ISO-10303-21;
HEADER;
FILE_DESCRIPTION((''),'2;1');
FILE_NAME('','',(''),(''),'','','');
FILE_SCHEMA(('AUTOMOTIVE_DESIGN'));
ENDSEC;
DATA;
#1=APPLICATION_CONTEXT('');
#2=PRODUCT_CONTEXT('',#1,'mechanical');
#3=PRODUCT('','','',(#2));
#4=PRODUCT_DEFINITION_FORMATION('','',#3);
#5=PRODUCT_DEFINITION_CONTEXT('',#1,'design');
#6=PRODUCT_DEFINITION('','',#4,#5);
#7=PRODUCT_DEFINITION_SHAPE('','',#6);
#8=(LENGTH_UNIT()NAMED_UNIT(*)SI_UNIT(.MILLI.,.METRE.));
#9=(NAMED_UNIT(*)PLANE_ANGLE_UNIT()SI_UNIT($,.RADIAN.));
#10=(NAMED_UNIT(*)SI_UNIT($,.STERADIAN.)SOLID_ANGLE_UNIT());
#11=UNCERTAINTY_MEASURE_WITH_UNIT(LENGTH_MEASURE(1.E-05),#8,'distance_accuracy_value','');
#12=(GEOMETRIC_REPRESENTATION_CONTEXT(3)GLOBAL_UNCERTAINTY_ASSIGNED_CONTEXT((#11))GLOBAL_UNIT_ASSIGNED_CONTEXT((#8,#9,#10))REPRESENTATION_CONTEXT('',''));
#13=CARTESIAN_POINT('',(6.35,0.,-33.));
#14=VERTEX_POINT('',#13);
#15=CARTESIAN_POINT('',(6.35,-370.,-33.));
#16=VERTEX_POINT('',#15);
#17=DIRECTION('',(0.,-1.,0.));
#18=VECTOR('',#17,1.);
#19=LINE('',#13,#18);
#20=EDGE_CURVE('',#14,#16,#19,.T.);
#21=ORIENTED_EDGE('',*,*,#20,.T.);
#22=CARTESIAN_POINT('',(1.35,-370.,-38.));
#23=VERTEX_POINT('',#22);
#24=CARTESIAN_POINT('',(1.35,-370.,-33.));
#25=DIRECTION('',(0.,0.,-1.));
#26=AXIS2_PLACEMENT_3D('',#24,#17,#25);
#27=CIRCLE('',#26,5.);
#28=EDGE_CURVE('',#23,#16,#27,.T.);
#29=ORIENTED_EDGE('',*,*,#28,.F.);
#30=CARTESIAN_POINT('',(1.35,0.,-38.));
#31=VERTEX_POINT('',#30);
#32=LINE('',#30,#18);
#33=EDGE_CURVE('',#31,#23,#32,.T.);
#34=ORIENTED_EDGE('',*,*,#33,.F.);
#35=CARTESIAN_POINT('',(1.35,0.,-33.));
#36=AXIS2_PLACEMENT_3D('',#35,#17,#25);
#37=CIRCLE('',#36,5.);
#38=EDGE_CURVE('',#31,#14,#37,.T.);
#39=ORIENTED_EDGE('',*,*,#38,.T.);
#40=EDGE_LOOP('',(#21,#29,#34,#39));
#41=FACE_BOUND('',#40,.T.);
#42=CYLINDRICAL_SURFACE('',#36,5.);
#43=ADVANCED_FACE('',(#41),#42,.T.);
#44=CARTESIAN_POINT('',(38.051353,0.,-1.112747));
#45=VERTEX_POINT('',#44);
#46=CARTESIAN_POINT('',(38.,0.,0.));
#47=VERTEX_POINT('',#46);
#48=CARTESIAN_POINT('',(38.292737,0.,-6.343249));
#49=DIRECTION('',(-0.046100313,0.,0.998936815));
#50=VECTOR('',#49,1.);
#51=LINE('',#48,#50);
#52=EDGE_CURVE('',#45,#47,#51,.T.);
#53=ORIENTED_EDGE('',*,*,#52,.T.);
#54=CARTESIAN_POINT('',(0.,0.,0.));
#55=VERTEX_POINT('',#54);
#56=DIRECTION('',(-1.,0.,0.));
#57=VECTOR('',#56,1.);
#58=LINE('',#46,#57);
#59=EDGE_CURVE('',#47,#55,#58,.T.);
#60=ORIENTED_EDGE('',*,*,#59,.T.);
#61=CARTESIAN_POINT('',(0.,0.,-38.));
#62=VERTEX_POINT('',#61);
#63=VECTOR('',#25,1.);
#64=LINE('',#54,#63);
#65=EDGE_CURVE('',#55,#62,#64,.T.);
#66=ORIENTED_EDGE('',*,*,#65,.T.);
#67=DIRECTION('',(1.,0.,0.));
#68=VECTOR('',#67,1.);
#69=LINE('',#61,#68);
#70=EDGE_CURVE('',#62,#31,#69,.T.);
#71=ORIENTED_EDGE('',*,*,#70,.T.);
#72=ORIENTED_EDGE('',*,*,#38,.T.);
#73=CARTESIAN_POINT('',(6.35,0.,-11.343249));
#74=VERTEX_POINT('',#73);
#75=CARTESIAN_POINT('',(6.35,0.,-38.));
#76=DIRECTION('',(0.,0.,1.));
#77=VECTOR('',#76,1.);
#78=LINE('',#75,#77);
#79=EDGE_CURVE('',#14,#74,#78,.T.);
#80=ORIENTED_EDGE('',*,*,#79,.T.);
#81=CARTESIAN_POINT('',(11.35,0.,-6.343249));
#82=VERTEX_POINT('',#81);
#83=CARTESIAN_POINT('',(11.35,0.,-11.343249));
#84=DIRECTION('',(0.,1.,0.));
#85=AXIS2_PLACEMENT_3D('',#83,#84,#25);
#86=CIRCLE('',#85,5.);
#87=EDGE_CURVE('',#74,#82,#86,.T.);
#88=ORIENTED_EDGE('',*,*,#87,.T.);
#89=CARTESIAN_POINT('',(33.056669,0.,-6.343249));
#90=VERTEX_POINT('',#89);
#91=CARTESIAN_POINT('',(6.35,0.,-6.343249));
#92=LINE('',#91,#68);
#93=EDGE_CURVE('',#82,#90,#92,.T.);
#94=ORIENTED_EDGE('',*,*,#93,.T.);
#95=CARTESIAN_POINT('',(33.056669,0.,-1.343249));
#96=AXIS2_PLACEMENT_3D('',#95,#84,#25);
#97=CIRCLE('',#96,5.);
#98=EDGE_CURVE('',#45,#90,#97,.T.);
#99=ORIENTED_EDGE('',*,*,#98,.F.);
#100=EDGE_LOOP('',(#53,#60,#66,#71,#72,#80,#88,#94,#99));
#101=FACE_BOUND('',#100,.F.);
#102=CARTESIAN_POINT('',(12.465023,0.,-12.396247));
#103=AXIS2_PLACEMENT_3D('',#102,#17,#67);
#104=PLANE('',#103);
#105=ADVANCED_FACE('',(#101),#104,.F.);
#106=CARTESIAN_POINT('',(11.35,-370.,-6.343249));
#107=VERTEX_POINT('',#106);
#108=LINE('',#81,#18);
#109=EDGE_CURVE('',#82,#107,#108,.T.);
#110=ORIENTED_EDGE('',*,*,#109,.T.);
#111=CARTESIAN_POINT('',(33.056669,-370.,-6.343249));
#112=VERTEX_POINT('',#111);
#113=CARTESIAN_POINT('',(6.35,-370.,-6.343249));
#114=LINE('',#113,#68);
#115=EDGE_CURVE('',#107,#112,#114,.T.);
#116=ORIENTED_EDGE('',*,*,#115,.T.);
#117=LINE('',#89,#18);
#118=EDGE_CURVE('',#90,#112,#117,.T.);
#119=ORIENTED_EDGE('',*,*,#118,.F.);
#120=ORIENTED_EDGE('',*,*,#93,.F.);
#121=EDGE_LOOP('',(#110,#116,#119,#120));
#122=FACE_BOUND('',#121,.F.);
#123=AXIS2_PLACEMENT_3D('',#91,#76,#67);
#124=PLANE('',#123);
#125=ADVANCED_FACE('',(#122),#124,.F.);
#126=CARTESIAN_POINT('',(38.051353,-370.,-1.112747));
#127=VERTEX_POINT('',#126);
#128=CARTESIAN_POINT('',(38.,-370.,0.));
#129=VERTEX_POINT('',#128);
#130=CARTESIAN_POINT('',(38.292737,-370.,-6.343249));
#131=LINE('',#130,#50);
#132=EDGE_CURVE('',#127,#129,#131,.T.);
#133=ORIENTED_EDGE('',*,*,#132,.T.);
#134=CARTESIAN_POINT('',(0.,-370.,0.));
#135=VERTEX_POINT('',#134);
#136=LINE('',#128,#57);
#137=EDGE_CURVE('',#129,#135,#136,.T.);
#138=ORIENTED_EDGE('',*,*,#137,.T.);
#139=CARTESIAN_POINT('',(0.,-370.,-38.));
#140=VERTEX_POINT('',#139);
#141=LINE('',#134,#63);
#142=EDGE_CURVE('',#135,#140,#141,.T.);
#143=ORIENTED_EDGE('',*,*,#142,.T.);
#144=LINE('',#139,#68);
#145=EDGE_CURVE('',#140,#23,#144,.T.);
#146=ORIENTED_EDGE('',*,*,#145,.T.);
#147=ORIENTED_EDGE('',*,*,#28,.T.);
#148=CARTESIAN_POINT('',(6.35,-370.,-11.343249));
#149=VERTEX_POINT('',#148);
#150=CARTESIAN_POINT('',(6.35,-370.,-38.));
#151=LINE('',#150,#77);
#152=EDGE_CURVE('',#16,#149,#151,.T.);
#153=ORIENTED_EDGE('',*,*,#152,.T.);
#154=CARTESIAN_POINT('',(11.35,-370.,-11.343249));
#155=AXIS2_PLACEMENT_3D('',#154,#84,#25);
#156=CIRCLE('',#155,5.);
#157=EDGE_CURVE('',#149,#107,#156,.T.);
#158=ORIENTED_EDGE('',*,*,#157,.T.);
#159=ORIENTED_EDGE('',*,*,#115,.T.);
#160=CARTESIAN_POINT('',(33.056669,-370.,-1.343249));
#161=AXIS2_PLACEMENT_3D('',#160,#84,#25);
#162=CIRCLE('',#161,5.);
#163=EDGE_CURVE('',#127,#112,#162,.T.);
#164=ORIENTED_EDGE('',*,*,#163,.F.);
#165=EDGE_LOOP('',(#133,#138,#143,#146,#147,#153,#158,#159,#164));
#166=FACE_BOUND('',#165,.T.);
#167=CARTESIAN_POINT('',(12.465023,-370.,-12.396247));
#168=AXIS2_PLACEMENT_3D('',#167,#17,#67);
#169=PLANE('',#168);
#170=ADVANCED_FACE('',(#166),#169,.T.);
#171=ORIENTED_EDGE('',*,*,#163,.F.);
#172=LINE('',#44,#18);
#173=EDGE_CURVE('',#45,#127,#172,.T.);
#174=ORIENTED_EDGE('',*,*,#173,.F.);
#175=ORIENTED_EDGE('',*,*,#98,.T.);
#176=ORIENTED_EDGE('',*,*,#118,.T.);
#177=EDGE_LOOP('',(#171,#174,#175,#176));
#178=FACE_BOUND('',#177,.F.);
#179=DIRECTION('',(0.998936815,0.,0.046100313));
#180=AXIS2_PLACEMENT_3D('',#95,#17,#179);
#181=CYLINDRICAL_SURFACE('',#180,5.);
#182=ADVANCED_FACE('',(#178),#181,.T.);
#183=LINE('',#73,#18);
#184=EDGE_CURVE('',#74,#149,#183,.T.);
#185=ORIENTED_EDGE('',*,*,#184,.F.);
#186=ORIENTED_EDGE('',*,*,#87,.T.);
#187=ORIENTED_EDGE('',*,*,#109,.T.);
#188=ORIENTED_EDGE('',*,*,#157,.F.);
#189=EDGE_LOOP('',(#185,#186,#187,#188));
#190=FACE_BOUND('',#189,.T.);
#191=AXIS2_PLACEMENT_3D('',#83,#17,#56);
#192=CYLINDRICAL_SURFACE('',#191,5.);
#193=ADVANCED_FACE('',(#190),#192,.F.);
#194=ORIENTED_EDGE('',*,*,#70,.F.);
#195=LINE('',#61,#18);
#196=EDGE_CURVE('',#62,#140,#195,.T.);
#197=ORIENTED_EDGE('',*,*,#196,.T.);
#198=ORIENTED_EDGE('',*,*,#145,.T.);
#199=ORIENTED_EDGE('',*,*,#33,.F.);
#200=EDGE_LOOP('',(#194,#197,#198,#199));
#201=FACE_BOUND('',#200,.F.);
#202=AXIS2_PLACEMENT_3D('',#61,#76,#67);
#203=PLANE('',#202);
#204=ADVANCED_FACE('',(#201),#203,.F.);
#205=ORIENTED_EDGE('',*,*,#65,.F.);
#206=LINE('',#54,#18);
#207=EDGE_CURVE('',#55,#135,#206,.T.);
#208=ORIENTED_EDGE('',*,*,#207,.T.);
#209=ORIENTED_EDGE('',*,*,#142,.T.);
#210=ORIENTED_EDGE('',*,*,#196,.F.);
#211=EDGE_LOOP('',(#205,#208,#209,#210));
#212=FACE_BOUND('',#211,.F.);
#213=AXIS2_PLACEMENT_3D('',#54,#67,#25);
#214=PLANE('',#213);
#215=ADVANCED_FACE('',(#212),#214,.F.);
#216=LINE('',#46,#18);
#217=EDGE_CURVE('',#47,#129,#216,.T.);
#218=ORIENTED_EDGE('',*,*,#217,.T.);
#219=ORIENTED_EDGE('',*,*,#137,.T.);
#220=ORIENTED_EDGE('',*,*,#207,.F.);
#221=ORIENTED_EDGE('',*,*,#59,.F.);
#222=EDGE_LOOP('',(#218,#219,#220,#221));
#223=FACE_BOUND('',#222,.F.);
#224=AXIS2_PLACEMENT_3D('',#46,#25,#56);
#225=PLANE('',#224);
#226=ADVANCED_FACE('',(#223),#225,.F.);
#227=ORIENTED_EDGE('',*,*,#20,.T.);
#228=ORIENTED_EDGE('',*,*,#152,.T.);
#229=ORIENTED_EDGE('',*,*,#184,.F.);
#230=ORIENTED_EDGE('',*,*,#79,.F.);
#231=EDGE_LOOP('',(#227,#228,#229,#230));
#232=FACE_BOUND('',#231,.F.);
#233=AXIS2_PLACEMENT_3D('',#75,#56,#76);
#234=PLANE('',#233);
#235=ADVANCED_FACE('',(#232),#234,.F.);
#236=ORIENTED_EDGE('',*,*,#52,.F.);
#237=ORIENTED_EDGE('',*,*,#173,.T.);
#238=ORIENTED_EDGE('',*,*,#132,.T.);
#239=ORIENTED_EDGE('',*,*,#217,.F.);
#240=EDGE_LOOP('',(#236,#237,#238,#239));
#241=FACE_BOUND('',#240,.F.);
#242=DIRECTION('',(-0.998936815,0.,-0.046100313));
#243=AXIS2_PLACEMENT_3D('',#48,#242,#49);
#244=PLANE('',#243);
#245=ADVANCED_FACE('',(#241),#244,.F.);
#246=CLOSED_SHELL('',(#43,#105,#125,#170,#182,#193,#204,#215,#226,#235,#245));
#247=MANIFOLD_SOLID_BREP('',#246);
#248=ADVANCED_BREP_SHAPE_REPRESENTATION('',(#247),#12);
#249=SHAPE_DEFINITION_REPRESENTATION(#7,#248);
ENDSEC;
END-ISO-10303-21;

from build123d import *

# Parameters (mm, degrees)
F1_DEPTH = 370
F2_R     = 5
F3_R     = 5


with BuildPart() as f1:
    # F0 (on Front) → F1 (new body)
    with BuildSketch(Plane.XZ):
        Polygon((38, 0), (0, 0), (0, -38), (6.35, -38), (6.35, -6.343249), (38.292737, -6.343249), align=None)
    extrude(amount=F1_DEPTH)

    # F2
    f2_edges = [f1.edges().sort_by_distance(p)[0] for p in [
        (6.35, -185, -38),
        (6.35, -185, -6.343249),
    ]]
    fillet(f2_edges, radius=F2_R)

    # F3
    f3_edges = [f1.edges().sort_by_distance(p)[0] for p in [
        (38.292737, -185, -6.343249),
    ]]
    fillet(f3_edges, radius=F3_R)


solid = f1.part
